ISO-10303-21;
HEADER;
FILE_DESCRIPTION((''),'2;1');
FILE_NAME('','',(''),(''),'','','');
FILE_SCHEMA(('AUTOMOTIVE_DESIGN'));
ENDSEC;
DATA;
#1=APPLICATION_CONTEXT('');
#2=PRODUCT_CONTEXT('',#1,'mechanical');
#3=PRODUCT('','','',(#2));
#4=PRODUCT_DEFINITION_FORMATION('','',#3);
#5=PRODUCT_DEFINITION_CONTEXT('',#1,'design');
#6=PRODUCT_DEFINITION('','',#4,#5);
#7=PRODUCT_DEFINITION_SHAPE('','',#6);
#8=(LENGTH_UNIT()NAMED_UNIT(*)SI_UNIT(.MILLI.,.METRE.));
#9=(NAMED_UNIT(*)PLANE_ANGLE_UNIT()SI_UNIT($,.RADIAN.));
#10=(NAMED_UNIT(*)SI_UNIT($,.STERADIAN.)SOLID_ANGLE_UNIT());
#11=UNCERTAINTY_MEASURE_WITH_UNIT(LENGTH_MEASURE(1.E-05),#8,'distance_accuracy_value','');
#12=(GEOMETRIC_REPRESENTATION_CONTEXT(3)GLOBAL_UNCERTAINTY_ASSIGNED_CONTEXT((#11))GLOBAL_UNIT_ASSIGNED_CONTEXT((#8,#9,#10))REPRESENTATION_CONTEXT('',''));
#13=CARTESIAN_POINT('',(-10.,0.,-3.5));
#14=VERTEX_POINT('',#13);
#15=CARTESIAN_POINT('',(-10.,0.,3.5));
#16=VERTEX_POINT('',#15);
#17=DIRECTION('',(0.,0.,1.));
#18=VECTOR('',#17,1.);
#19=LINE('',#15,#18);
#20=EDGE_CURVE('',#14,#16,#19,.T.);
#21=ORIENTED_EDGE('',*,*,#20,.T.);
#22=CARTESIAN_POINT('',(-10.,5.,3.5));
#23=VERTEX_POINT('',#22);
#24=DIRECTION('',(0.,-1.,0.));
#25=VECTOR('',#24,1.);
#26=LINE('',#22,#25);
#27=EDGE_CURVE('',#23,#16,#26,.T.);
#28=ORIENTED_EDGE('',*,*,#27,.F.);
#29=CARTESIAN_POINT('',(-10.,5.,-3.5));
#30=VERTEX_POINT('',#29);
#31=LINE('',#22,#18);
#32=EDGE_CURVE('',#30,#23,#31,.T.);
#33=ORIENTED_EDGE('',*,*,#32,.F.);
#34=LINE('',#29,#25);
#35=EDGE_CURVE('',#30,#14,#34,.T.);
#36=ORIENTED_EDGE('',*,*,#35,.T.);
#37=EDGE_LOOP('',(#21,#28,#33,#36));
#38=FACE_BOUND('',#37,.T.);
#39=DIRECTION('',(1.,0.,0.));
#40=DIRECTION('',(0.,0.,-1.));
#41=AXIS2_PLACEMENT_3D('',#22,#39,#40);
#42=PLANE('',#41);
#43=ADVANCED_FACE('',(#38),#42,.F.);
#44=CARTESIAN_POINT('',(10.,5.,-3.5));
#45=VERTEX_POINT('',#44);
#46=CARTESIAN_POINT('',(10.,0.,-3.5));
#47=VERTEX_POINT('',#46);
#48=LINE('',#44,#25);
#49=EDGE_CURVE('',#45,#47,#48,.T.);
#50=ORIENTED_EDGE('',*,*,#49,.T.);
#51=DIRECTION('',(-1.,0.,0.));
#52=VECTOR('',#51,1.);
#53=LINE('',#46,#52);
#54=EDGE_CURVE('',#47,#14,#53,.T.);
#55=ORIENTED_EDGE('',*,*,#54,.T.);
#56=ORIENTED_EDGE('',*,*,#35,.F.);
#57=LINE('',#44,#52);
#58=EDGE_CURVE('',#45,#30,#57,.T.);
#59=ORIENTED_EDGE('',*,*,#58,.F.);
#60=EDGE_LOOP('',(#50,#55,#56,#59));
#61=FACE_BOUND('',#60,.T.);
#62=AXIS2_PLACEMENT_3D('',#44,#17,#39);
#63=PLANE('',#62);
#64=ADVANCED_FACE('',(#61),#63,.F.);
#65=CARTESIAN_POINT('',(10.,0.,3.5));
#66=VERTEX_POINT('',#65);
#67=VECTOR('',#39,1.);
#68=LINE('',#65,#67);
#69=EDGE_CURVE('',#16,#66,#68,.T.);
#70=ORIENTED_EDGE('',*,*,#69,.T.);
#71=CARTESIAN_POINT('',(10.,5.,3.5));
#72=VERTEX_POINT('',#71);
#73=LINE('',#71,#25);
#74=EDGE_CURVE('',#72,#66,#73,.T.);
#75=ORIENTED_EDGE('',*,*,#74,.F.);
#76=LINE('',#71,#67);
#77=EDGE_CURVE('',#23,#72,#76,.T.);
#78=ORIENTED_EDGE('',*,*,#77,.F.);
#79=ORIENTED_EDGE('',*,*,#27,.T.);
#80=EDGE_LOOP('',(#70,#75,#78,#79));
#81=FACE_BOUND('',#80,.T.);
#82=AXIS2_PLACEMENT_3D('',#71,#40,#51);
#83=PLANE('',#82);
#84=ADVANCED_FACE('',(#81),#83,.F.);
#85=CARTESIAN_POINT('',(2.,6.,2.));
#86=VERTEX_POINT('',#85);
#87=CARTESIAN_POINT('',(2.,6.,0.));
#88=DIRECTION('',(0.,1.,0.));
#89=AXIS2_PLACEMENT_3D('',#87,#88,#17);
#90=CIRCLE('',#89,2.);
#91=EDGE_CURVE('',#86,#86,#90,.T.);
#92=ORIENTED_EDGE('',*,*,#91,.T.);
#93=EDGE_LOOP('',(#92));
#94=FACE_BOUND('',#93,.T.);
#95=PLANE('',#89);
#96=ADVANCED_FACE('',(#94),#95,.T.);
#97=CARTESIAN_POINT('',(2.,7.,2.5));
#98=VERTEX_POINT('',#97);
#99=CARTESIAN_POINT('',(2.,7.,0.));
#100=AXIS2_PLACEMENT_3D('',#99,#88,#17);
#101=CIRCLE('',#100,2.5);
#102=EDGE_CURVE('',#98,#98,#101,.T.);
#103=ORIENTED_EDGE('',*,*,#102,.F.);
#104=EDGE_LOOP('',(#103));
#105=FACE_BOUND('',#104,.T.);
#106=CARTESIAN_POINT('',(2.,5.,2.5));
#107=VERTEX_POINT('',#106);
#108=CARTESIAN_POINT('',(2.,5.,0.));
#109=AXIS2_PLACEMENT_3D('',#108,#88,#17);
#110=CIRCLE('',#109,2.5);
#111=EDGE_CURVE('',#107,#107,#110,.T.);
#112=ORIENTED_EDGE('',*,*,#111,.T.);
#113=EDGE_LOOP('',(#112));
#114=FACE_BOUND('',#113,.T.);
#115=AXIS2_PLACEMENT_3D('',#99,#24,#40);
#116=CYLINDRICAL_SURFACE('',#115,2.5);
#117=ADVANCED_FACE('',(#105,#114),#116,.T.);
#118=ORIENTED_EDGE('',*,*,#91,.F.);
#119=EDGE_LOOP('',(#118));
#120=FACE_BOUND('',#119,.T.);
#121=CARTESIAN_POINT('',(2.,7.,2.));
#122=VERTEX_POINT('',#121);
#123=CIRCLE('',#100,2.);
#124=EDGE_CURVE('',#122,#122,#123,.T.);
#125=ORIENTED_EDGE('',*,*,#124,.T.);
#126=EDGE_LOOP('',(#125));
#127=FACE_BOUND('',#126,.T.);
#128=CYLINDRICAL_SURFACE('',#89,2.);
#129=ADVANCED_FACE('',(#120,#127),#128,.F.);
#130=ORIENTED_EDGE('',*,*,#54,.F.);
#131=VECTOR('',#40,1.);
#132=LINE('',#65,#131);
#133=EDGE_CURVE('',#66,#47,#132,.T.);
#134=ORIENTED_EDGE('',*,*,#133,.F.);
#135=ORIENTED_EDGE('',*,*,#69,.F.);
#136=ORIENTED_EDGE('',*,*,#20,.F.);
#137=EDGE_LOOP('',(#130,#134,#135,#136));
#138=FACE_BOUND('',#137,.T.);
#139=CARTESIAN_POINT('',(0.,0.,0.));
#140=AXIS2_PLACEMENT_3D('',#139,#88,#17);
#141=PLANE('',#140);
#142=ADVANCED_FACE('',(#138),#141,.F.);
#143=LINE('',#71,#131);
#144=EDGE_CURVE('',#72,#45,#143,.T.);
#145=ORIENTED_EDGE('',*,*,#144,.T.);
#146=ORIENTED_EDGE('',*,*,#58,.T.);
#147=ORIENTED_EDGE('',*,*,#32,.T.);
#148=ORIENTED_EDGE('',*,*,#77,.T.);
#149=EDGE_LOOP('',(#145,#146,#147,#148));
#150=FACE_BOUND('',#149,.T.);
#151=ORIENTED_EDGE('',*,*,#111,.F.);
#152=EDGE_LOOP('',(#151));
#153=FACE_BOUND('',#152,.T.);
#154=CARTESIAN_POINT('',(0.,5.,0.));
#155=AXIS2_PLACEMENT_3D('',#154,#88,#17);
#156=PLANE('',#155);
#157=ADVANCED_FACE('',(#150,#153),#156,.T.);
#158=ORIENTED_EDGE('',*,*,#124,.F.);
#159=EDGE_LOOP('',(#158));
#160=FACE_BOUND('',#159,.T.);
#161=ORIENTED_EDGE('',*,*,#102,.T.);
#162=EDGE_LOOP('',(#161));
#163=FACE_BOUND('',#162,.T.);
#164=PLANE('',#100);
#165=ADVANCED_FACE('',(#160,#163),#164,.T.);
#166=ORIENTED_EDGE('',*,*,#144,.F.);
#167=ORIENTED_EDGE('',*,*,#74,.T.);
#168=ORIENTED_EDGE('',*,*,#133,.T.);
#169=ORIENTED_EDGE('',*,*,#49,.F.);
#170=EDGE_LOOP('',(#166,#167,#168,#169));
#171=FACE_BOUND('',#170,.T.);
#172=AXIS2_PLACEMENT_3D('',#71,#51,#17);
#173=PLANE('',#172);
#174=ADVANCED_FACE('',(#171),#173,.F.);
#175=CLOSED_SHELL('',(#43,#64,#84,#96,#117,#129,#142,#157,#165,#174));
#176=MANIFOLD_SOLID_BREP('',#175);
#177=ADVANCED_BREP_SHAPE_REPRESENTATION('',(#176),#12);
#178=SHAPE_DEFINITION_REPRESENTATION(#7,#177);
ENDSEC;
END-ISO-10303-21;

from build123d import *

# Parameters (mm, degrees)
SKETCH1_W           = 20
SKETCH1_H           = 7
BOSS_EXTRUDE1_DEPTH = 5
SKETCH2_R           = 2.5
BOSS_EXTRUDE2_DEPTH = 2
SKETCH3_R           = 2
CUT_EXTRUDE1_DEPTH  = 1


with BuildPart() as part:
    # Sketch1 → Boss-Extrude1 (new body)
    with BuildSketch(Plane(origin=(0, 0, 0), x_dir=(1, 0, 0), z_dir=(0, 1, 0))):
        Rectangle(SKETCH1_W, SKETCH1_H)
    extrude(amount=BOSS_EXTRUDE1_DEPTH)

    # Sketch2 → Boss-Extrude2 (add)
    with BuildSketch(Plane(origin=(0, 5, 0), x_dir=(1, 0, 0), z_dir=(0, 1, 0))):
        with Locations(Location((2, 0, 0), (0, 0, 270))):
            Circle(SKETCH2_R)
    extrude(amount=BOSS_EXTRUDE2_DEPTH)

    # Sketch3 → Cut-Extrude1 (cut)
    with BuildSketch(Plane(origin=(0, 7, 0), x_dir=(1, 0, 0), z_dir=(0, 1, 0))):
        with Locations(Location((2, 0, 0), (0, 0, 270))):
            Circle(SKETCH3_R)
    extrude(amount=-CUT_EXTRUDE1_DEPTH, mode=Mode.SUBTRACT)


solid = part.part
